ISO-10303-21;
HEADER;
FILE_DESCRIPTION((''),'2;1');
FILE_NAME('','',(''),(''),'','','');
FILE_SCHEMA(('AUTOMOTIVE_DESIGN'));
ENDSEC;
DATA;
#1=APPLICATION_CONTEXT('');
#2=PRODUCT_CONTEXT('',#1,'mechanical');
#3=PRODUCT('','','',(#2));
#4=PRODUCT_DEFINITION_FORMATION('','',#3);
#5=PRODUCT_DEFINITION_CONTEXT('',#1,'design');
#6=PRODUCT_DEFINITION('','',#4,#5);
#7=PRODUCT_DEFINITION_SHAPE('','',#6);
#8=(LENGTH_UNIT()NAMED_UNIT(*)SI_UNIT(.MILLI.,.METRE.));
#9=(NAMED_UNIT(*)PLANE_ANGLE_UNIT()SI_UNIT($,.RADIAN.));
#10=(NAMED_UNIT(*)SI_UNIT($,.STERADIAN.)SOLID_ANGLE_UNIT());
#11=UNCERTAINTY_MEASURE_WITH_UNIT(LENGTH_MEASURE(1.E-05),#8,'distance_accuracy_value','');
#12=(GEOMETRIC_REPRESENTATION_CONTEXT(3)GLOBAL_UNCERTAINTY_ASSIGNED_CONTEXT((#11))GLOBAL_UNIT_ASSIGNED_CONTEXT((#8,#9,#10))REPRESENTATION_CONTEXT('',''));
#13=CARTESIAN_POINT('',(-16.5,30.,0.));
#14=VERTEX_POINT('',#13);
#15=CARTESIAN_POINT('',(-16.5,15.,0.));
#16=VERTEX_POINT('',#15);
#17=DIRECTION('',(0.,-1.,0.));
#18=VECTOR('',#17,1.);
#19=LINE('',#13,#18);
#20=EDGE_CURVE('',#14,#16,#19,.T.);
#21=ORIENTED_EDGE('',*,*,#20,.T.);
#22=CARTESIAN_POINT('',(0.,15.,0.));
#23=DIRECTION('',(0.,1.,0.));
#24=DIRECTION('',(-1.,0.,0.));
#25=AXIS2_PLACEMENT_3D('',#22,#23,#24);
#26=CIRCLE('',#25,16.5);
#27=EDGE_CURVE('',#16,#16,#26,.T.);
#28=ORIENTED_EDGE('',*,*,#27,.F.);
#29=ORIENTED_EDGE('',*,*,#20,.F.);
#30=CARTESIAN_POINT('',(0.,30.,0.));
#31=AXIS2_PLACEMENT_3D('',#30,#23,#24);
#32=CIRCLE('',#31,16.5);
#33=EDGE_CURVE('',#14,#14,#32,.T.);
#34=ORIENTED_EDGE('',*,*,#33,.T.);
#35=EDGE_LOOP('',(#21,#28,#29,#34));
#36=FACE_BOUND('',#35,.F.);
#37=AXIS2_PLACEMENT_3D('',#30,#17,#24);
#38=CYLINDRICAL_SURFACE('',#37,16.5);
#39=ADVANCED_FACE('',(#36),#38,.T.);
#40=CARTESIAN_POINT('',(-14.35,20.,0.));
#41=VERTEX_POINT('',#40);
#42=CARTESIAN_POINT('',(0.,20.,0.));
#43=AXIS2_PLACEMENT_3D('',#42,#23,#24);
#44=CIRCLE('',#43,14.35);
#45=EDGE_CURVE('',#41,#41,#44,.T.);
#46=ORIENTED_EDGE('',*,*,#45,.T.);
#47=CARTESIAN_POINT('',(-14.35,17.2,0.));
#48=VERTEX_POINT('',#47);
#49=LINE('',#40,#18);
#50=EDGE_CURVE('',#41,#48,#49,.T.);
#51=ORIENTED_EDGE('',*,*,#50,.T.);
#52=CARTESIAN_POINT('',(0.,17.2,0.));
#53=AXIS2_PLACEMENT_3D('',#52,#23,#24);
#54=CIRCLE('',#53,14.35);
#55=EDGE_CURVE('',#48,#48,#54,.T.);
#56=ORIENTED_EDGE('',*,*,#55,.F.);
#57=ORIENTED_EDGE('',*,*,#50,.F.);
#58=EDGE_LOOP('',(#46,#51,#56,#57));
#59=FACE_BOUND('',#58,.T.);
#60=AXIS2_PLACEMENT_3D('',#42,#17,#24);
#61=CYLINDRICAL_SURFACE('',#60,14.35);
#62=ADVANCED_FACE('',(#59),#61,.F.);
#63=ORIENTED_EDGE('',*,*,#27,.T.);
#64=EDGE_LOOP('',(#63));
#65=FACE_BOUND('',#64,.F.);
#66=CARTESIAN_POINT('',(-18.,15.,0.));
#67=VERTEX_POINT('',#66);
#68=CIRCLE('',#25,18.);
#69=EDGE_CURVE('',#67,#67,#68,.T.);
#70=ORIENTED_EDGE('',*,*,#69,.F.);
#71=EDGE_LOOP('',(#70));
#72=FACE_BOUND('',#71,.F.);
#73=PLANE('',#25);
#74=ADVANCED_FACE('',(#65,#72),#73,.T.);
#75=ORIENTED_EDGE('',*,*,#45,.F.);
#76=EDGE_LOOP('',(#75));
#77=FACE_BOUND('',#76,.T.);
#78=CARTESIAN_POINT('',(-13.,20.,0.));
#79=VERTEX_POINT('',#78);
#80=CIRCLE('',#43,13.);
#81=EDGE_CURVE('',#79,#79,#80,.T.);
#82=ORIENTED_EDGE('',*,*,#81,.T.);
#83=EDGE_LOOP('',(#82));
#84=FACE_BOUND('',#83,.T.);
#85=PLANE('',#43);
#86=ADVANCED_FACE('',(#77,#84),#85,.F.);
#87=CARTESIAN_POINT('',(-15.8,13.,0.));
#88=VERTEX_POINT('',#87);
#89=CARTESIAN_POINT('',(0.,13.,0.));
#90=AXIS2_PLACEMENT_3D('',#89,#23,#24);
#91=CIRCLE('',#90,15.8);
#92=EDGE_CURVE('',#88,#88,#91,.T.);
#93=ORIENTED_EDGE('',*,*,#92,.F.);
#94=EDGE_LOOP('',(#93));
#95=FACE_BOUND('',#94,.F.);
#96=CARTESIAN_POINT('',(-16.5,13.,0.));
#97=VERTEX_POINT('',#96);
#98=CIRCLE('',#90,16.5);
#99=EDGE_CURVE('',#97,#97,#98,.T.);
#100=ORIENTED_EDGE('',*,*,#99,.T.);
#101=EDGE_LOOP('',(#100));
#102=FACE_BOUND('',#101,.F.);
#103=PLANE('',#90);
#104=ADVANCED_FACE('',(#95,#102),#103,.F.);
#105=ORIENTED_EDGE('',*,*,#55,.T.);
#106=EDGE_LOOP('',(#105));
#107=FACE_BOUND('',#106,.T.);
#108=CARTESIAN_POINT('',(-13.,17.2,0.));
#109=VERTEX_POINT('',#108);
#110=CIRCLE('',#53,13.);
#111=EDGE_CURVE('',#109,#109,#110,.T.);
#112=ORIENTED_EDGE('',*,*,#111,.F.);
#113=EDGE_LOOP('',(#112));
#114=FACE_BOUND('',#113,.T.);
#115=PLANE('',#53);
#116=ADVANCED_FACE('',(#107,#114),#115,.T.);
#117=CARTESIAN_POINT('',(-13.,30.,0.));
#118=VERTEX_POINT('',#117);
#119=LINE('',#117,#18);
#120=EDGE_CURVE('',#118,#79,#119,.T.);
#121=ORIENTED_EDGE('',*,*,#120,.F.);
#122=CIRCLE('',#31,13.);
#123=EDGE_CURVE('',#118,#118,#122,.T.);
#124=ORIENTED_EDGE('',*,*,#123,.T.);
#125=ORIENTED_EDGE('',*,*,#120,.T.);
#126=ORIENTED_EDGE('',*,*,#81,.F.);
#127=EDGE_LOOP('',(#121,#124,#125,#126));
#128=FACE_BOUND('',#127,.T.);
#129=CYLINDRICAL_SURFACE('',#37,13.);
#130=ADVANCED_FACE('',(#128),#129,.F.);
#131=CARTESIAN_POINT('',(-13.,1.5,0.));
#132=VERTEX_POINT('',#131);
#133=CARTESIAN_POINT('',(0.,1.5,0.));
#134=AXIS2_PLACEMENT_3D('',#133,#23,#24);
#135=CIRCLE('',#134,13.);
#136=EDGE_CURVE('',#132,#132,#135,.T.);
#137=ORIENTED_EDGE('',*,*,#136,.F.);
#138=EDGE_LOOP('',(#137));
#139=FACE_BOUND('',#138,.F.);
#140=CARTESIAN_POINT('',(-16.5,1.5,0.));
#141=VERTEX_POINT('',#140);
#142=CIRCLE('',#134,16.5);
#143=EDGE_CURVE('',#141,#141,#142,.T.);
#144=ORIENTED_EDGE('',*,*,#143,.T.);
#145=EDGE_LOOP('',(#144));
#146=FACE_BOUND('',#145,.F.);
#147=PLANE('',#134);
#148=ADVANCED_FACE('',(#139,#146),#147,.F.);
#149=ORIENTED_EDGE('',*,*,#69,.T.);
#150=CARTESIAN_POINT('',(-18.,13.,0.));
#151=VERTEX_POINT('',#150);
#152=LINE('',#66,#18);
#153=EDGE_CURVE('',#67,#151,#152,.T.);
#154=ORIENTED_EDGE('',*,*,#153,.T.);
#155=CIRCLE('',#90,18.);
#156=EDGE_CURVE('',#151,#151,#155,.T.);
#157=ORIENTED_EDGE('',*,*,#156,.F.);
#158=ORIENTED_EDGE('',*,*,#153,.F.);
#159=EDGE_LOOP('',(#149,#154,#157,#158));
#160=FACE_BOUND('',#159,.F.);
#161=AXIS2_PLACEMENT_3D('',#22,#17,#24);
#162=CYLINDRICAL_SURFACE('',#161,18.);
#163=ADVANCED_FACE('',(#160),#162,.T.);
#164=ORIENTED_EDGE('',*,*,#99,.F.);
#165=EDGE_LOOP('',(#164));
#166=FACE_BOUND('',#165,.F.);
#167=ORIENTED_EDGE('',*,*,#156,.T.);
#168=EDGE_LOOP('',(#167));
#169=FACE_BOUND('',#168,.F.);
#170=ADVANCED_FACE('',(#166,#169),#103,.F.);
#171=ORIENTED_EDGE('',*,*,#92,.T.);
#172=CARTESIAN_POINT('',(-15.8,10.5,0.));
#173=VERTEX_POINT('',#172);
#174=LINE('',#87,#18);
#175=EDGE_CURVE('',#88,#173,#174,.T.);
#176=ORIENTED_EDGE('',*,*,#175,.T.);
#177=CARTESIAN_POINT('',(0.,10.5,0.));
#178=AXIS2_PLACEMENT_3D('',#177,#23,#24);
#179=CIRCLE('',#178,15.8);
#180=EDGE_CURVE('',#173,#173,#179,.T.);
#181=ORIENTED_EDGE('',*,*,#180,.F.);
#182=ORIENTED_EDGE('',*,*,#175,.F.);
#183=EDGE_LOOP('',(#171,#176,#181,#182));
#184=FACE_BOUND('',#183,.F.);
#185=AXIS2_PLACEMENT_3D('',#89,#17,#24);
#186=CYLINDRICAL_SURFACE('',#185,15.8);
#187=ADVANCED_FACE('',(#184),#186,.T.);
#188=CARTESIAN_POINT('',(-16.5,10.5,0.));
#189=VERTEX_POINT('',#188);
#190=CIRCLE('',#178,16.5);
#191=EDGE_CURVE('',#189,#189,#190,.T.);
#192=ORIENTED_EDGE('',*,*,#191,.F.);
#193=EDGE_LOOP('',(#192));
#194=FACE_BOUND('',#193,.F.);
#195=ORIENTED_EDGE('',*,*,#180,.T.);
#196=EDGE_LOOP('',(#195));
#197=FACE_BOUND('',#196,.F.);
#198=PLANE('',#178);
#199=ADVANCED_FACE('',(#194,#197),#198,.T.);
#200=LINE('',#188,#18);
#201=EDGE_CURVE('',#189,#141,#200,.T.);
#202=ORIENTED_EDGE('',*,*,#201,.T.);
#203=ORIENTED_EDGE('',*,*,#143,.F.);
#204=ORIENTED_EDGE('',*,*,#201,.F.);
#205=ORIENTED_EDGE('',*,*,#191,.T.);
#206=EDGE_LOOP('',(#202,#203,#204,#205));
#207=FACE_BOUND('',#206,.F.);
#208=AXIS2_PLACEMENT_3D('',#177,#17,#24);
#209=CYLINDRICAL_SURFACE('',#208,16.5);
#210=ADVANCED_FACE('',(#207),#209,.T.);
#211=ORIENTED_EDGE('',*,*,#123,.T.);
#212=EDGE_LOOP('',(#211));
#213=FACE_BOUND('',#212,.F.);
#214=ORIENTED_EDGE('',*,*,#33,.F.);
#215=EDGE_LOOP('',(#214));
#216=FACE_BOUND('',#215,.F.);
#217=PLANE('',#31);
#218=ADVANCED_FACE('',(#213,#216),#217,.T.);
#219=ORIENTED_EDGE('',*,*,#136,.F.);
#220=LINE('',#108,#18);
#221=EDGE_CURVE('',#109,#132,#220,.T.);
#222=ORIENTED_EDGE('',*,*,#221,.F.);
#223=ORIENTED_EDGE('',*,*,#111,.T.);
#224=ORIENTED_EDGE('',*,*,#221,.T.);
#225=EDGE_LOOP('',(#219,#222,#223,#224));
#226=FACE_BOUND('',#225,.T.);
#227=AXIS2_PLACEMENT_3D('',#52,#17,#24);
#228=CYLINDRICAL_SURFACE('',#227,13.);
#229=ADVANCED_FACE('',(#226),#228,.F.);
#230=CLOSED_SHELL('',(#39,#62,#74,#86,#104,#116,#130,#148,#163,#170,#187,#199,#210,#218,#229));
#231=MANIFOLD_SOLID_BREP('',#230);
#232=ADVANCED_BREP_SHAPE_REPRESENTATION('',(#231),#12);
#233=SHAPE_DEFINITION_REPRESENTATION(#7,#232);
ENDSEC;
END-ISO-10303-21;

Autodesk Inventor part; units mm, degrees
ref_plane "YZ Plane" through (0, 0, 0) normal (1, 0, 0) x (0, 1, 0)
ref_plane "XZ Plane" through (0, 0, 0) normal (0, 1, 0) x (-1, 0, 0)
ref_plane "XY Plane" through (0, 0, 0) normal (0, 0, 1) x (1, 0, 0)
sketch "Sketch2" plane through (0, 0, 0) normal (0, 0, 1) x (1, 0, 0)
  line L0 (0, 0) -> (0, 30)
  line L1 (0, 30) -> (-16.5, 30)
  line L2 (0, 0) -> (-13, 0)
  line L3 (-13, 0) -> (-16.5, 0)
  line L4 (-13, 30) -> (-13, 20)
  line L5 (-13, 20) -> (-14.35, 20)
  line L6 (-14.35, 20) -> (-14.35, 17.2)
  line L7 (-14.35, 17.2) -> (-13, 17.2)
  line L8 (-13, 17.2) -> (-13, 0)
  line L9 (-16.5, 13) -> (-15.8, 13)
  line L10 (-15.8, 13) -> (-15.8, 10.5)
  line L11 (-15.8, 10.5) -> (-16.5, 10.5)
  line L12 (-16.5, 30) -> (-16.5, 15)
  line L13 (-16.5, 15) -> (-18, 15)
  line L14 (-18, 15) -> (-18, 13)
  line L15 (-18, 13) -> (-16.5, 13)
  line L16 (-16.5, 10.5) -> (-16.5, 1.5)
  line L17 (-16.5, 1.5) -> (-13, 1.5)
  dimension "d4" = 30
  dimension "d5" = 16.5
  dimension "d6" = 13
  dimension "d7" = 10
  dimension "d8" = 1.35
  dimension "d9" = 2.8
  dimension "d13" = 17
  dimension "d14" = 0.7
  dimension "d15" = 2.5
  dimension "d18" = 15
  dimension "d19" = 1.5
  dimension "d20" = 10.5
  dimension "d21" = 9
revolve "Revolution1" add sketch "Sketch2" angle 360 about axis through (0, 0, 0) along (0, 1, 0) contours L4 L5 L6 L7 L8 L17 L16 L11 L10 L9 L15 L14 L13 L12 L1
thread "Thread3" size "M33x3" class "6g" standard "ANSI Metric M Profile" full length
properties part number "Conector Tapa-Tubo calefaccionado V2 (M33)" material "Polypropylene"
